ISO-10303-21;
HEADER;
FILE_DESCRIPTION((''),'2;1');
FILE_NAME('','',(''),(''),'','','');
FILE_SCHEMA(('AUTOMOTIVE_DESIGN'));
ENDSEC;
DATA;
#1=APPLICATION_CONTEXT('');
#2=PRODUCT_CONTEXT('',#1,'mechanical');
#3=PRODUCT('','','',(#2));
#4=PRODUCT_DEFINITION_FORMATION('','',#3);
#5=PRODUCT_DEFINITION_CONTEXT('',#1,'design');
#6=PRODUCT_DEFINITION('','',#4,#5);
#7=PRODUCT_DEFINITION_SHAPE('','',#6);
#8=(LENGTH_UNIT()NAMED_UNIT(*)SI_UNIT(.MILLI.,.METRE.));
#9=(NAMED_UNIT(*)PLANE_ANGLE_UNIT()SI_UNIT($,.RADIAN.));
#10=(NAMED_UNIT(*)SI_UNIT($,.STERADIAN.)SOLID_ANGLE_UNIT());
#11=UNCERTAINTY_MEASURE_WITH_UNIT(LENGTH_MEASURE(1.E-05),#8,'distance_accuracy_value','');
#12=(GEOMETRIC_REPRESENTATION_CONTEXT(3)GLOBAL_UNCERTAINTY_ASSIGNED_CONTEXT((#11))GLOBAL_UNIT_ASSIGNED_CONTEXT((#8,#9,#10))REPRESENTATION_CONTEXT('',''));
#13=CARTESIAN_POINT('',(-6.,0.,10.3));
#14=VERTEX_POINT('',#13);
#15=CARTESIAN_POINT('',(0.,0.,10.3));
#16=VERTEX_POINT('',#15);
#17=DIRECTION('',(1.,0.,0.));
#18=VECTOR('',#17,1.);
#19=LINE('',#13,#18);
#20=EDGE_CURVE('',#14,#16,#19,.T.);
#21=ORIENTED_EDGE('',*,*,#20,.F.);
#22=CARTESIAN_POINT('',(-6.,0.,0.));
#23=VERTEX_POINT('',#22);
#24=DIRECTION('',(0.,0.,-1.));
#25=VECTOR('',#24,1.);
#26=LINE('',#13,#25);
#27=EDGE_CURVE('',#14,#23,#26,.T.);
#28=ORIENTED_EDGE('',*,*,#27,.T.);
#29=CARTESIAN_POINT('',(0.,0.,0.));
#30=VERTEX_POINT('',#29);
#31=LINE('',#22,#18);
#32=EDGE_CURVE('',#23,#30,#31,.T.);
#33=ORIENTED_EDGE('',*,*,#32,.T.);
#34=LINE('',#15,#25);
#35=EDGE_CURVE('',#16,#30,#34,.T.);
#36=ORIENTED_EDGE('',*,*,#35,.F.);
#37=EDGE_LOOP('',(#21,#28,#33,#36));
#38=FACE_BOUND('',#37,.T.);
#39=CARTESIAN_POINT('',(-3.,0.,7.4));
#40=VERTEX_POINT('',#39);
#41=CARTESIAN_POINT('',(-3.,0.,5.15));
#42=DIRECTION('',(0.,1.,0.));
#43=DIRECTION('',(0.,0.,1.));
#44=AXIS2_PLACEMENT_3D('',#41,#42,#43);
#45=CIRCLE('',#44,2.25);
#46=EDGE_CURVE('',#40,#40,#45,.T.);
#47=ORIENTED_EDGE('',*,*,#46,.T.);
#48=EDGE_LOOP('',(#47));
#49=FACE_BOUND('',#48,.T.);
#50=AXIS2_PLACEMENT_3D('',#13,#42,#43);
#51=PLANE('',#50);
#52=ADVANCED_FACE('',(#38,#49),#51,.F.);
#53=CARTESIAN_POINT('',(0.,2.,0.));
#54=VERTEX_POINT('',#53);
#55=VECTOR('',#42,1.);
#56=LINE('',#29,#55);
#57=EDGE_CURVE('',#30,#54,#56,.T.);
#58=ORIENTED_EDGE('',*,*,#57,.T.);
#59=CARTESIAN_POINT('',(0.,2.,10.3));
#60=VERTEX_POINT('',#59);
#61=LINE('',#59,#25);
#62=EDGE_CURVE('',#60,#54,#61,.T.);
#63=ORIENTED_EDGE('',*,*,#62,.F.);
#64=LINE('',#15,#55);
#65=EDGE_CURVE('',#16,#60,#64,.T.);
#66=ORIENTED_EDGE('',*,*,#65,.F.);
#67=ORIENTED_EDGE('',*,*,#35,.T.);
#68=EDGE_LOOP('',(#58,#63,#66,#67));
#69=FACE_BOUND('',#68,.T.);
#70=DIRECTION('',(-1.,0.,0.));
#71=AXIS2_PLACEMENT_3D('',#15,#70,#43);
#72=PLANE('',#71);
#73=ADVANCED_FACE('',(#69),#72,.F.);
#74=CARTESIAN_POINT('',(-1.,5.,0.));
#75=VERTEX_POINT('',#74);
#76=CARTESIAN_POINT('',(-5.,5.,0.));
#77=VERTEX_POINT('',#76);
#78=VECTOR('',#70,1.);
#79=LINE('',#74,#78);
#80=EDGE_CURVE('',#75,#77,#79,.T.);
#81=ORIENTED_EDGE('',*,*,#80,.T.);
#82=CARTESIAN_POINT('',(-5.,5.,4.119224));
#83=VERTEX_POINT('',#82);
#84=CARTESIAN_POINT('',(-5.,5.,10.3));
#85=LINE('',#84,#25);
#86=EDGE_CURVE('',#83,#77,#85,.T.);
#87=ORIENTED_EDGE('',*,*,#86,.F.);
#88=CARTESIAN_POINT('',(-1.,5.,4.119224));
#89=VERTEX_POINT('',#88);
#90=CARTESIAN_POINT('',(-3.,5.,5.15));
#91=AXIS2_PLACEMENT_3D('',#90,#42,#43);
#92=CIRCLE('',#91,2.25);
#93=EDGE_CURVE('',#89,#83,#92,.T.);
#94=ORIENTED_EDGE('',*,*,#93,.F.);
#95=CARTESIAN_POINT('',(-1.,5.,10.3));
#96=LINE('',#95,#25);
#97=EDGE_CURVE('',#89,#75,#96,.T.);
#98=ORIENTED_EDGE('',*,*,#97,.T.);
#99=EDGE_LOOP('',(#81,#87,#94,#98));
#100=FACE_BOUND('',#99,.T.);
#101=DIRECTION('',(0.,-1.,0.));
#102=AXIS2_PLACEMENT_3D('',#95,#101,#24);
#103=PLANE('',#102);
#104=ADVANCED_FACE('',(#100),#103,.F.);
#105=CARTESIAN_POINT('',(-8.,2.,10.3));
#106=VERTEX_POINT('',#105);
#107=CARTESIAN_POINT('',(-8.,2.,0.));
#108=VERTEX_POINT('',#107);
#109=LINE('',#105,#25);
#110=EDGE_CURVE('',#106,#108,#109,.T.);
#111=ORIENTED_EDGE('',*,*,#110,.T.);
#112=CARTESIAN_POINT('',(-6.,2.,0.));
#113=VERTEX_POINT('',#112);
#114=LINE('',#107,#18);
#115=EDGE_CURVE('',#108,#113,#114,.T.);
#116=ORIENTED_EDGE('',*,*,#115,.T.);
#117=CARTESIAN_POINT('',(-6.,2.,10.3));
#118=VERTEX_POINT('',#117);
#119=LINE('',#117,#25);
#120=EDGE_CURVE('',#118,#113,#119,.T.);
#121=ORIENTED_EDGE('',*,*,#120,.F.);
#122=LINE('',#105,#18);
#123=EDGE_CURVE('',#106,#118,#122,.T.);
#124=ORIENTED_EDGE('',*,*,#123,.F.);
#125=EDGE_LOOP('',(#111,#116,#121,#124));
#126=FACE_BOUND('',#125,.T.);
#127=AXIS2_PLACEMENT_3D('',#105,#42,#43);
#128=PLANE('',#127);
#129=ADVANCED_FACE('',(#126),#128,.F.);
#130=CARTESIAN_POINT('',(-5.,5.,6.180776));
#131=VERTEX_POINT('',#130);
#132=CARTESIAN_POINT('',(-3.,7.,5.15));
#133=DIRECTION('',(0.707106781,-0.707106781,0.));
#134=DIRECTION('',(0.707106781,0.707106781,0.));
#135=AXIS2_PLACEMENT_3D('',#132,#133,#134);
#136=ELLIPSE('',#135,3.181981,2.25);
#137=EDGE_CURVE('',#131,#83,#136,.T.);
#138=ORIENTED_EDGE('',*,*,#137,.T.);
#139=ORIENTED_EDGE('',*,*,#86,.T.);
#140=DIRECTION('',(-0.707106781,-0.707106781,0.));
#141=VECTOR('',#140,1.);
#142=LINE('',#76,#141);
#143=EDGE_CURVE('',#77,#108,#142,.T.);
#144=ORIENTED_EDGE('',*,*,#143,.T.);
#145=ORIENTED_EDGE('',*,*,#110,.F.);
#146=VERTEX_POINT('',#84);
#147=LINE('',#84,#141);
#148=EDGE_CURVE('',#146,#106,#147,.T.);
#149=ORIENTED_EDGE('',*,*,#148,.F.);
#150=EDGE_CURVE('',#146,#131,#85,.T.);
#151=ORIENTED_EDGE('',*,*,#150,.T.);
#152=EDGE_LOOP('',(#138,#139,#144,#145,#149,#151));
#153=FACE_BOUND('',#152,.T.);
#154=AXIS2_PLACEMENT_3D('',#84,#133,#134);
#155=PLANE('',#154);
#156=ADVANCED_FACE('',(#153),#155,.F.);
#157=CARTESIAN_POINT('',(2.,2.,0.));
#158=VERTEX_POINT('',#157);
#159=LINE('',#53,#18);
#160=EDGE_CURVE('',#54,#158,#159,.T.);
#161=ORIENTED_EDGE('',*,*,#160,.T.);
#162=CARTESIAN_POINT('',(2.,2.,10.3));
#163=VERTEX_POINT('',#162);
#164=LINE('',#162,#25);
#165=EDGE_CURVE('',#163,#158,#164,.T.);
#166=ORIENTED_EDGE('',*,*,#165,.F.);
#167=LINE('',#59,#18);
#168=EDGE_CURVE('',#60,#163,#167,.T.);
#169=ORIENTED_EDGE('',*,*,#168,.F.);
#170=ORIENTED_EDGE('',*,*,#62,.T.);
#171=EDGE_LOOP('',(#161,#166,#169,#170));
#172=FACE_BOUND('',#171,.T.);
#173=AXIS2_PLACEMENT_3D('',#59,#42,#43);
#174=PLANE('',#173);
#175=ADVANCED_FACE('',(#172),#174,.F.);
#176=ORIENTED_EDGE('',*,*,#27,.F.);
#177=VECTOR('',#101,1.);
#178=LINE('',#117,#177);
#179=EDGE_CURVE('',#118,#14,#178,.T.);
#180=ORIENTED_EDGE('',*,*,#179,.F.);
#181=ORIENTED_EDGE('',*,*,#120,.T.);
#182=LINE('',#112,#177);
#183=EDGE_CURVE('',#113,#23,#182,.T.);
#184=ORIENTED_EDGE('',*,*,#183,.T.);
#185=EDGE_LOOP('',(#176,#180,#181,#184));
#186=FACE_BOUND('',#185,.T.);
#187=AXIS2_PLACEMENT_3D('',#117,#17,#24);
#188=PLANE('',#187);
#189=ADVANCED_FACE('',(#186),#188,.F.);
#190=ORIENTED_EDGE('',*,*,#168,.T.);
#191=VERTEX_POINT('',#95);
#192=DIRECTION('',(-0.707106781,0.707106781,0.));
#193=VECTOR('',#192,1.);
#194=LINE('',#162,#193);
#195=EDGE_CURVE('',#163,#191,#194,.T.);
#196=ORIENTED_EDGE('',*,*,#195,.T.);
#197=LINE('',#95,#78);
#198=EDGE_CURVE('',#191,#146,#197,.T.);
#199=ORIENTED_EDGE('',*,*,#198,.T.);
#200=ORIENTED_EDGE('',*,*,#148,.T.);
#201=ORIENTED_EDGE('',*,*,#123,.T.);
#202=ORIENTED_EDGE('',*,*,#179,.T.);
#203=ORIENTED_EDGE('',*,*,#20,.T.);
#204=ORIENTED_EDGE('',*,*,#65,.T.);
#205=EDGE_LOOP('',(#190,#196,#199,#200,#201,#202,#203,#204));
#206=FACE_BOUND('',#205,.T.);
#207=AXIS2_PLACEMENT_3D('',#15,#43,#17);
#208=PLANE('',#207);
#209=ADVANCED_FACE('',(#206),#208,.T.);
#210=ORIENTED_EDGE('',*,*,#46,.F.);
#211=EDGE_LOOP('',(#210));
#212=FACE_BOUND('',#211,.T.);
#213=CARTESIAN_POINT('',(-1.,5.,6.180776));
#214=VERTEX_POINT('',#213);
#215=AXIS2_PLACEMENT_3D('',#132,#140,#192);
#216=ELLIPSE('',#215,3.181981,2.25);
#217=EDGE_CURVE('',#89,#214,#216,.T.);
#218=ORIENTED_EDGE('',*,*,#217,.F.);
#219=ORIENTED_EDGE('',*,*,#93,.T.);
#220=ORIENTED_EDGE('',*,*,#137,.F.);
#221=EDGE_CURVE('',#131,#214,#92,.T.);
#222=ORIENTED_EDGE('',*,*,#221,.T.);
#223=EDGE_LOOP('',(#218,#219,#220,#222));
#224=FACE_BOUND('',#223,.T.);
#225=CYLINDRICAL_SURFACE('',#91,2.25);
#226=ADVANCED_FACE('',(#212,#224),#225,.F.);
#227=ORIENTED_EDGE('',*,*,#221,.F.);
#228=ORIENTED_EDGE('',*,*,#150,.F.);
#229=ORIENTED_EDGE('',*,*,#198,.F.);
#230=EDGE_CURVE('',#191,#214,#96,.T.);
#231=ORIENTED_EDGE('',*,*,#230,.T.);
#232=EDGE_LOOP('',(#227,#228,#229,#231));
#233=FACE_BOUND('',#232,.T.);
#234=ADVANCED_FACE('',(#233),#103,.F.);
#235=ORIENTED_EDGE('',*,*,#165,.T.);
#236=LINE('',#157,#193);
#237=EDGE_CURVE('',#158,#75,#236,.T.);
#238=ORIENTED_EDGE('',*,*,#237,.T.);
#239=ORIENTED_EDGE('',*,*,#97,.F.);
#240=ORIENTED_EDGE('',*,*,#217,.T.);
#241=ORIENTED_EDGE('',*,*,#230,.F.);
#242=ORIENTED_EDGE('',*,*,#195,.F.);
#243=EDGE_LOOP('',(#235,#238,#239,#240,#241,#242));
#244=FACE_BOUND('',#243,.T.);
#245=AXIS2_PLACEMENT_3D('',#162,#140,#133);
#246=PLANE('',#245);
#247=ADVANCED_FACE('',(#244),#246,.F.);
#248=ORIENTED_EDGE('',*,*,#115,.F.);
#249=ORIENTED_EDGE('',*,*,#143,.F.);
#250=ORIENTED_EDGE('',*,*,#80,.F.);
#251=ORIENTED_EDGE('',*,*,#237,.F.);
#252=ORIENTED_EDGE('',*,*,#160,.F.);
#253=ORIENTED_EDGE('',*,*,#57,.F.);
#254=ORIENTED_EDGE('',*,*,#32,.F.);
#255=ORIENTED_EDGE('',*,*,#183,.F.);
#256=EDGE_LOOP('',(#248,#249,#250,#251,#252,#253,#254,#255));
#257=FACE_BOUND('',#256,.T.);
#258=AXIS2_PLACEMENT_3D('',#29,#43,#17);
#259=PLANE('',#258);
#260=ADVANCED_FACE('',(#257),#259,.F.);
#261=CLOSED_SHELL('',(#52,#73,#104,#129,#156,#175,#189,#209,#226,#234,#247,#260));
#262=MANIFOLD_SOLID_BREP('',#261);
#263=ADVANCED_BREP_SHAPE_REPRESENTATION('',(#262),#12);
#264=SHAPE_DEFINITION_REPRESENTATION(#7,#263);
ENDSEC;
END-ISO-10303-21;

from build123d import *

# Parameters (mm, degrees)
BOSS_EXTRU_1_DEPTH = 10.3
D_GAGEMENT_M41_D   = 4.5


with BuildPart() as part:
    # Esquisse1 → Boss.-Extru.1 (new body)
    with BuildSketch(Plane.XY):
        Polygon((0, 0), (0, 2), (2, 2), (-1, 5), (-5, 5), (-8, 2), (-6, 2), (-6, 0), align=None)
    extrude(amount=BOSS_EXTRU_1_DEPTH)

    # Dégagement M41 (through all)
    with Locations(Plane(origin=(0, 5, 0), x_dir=(1, 0, 0), z_dir=(0, 1, 0))):
        with Locations((-3, -5.15)):
            Hole(D_GAGEMENT_M41_D / 2)


solid = part.part
